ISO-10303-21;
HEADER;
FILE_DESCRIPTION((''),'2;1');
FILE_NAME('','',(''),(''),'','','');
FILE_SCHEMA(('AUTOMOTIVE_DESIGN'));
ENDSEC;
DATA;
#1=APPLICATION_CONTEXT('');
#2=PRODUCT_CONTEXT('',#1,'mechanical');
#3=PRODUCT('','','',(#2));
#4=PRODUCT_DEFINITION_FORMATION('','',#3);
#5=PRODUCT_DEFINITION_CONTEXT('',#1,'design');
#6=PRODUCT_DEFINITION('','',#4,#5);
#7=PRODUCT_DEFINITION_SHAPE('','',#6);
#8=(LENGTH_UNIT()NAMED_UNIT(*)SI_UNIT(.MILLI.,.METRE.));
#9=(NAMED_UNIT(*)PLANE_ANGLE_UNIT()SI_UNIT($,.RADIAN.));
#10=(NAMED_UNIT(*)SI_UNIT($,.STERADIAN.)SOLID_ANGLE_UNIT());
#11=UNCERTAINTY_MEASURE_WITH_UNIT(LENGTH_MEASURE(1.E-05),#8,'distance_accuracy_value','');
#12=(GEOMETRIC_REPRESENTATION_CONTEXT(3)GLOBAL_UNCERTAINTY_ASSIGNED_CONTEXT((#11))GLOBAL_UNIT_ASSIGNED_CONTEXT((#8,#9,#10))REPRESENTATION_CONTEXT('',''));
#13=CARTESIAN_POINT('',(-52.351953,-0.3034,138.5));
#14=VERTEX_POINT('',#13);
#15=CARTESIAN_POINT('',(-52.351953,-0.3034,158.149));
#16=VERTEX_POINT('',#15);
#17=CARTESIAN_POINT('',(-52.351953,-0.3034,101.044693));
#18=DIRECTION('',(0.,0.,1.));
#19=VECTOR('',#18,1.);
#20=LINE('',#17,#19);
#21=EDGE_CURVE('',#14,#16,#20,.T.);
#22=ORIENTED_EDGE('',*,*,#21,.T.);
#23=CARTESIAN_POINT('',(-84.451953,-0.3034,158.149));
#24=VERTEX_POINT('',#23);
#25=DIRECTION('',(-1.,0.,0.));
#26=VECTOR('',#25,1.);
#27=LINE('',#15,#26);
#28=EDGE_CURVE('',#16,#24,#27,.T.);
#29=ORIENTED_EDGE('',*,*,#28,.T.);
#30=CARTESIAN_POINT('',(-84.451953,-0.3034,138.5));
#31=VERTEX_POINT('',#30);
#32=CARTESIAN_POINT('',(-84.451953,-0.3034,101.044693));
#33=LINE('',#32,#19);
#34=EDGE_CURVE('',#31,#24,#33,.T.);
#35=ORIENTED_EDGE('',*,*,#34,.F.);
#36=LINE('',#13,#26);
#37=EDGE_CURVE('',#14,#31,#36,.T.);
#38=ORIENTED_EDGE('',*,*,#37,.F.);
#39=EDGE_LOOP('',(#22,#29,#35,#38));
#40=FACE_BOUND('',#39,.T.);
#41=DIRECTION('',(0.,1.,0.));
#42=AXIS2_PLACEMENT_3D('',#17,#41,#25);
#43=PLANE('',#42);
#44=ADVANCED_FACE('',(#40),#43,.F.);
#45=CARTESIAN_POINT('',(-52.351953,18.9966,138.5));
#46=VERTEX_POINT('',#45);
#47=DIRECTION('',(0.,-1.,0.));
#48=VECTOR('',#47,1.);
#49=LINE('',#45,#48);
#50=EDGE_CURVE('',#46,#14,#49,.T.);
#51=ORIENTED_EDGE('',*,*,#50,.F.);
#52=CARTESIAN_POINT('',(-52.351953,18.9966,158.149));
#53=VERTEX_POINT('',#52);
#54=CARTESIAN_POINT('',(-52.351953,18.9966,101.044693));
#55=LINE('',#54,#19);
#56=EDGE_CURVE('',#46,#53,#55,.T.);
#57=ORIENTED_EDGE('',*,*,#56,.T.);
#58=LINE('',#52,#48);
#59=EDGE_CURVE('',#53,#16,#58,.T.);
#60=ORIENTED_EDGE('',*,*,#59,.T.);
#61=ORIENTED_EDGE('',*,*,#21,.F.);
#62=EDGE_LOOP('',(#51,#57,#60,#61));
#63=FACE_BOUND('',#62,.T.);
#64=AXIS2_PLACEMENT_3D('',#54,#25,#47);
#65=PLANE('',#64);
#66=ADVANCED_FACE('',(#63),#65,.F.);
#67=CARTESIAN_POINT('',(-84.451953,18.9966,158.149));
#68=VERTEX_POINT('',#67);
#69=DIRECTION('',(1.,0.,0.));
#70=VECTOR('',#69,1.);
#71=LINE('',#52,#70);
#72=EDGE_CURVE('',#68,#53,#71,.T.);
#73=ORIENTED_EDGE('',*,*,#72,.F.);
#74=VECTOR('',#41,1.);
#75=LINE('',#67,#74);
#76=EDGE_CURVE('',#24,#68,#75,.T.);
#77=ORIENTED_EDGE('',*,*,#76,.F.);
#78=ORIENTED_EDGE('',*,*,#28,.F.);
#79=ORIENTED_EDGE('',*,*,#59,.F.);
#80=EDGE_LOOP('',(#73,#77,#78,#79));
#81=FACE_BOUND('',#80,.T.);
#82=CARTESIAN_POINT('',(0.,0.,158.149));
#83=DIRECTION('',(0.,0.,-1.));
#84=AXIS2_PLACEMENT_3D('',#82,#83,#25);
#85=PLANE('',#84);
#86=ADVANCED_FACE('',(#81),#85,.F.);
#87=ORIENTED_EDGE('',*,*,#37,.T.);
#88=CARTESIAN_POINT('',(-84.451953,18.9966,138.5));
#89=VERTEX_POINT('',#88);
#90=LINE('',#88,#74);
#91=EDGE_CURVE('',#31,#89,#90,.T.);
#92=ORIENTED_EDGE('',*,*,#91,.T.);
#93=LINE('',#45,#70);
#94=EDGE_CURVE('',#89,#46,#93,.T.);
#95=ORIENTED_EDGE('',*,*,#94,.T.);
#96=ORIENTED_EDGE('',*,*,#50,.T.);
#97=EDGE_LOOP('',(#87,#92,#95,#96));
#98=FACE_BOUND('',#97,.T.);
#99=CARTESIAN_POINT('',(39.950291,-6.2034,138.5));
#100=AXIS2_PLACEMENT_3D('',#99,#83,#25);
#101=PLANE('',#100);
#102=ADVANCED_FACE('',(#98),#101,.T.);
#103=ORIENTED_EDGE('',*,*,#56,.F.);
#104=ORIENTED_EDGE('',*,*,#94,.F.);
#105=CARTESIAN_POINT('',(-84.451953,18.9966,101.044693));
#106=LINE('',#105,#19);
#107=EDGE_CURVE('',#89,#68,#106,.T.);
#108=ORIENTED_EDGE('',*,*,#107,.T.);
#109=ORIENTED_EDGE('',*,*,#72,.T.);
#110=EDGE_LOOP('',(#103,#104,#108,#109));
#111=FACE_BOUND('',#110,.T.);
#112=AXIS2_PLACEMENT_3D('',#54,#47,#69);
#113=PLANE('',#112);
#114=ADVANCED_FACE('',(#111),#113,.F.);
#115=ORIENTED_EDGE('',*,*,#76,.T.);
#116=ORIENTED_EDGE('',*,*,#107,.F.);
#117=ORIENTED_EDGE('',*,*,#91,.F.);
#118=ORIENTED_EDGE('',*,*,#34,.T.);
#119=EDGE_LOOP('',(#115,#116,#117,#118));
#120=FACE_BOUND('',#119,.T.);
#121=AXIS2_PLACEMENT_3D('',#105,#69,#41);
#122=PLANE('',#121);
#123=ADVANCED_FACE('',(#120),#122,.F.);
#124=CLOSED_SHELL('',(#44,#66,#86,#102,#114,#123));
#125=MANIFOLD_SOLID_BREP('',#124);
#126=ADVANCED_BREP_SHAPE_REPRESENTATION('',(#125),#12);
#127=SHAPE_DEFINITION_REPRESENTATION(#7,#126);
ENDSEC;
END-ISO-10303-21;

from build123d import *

# Parameters (mm, degrees)
SKETCH_2_W      = 32.1
SKETCH_2_H      = 19.3
EXTRUDE_1_DEPTH = 19.649


with BuildPart() as part:
    # 草图2 → 凸台-拉伸1 (new body)
    with BuildSketch(Plane(origin=(0, 0, 158.149), x_dir=(-1, 0, 0), z_dir=(0, 0, -1))):
        with Locations((68.401953388, 9.346599585)):
            Rectangle(SKETCH_2_W, SKETCH_2_H)
    extrude(amount=EXTRUDE_1_DEPTH)


solid = part.part
